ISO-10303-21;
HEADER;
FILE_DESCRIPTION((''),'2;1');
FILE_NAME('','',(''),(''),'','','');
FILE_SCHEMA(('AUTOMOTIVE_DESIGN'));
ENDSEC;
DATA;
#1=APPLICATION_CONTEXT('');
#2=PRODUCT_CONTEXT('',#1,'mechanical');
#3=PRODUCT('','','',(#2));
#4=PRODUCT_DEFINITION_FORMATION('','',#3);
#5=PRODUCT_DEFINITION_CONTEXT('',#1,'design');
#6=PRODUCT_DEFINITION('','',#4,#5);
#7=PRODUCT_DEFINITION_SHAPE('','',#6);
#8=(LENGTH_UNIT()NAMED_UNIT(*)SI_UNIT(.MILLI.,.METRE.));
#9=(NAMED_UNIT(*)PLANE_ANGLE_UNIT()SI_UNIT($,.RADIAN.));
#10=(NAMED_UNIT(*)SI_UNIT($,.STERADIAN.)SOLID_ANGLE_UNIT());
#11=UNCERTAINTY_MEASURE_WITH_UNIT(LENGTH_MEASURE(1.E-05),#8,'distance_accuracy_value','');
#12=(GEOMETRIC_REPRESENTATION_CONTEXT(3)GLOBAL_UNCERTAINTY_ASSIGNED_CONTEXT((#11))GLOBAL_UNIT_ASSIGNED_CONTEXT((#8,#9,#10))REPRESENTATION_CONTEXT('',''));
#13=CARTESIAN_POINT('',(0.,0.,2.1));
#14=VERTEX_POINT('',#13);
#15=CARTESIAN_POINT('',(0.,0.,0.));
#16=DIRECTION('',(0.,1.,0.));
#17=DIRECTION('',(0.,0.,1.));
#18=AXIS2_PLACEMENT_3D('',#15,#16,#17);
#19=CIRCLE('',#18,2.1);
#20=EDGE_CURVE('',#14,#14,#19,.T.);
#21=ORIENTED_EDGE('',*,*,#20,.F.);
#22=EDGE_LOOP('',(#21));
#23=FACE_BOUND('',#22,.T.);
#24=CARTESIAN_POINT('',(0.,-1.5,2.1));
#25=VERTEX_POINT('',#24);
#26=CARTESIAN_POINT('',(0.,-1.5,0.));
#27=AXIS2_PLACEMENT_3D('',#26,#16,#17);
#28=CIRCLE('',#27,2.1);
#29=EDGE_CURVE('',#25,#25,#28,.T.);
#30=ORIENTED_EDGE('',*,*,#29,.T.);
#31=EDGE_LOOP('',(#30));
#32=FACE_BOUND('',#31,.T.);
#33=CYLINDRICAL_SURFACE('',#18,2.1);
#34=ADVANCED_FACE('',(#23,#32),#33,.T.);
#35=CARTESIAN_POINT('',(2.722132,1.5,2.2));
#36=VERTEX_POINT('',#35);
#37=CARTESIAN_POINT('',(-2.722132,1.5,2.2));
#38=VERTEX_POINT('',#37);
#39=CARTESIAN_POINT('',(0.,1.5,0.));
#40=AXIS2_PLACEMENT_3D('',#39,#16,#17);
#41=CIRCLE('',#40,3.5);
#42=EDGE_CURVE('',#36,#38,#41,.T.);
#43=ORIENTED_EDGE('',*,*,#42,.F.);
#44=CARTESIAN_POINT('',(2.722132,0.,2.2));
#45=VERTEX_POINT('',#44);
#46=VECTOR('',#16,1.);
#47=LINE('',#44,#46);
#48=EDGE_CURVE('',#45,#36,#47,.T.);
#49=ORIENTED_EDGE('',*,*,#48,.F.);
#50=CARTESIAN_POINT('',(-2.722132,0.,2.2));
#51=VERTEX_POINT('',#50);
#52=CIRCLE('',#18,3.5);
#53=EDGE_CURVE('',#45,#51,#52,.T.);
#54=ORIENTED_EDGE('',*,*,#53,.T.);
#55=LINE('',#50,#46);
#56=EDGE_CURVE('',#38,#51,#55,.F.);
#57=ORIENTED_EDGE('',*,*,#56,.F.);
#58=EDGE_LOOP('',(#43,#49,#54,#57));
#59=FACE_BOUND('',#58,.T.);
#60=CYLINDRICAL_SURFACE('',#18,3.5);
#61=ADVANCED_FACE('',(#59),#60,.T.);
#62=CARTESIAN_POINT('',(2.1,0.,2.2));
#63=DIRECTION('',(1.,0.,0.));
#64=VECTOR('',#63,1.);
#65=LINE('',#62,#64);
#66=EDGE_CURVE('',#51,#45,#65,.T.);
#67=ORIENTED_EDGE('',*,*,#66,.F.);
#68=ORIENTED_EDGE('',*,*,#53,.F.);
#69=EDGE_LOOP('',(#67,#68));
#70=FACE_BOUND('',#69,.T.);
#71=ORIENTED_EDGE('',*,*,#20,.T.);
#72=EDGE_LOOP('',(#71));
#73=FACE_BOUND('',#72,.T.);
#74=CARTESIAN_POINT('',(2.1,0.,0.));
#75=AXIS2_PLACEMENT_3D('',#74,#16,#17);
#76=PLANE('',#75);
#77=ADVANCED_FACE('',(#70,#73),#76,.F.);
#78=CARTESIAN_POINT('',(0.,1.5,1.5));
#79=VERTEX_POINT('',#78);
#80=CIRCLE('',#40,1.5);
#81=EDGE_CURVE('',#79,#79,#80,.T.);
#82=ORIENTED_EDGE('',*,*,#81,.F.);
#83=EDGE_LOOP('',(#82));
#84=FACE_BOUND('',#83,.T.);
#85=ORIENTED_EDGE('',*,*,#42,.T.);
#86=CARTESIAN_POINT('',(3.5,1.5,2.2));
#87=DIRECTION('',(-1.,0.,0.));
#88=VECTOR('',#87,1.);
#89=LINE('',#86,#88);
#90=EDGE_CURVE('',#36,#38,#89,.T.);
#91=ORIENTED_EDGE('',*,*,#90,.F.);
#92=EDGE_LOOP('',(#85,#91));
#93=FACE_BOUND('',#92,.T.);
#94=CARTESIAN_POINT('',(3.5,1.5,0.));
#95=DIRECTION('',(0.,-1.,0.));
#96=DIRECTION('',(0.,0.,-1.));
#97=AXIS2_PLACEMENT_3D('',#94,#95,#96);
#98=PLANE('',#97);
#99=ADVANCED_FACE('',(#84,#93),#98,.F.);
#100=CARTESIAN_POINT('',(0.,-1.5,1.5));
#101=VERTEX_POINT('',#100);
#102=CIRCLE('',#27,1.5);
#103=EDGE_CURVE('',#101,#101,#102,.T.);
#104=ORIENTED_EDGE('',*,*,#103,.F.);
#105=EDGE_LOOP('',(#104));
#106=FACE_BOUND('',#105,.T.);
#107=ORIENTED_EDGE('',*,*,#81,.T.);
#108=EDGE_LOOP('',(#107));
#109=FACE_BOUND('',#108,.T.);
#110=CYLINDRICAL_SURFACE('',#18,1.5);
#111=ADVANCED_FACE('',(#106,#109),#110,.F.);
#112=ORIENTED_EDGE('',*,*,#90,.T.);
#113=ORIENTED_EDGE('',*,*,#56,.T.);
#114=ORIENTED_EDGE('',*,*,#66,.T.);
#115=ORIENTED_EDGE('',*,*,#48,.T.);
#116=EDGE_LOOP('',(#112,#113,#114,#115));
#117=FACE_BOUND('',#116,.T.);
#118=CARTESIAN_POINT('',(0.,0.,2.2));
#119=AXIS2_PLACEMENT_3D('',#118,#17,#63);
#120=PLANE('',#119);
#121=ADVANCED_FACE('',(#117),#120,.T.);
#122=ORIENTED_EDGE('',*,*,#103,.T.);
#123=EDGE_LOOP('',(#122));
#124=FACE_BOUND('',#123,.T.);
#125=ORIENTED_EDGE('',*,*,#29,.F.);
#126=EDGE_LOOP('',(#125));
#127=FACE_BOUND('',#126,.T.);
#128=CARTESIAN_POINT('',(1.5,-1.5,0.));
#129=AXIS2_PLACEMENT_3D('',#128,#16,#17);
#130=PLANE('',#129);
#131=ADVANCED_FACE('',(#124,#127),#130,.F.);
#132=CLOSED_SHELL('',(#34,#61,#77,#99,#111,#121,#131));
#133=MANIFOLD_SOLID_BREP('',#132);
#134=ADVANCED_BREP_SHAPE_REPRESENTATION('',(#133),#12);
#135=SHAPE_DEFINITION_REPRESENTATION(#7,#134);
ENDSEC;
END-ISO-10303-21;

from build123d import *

# Parameters (mm, degrees)
ENL_V_START             = 2.2
ESQUISSE2_W             = 8.060370584
ESQUISSE2_H             = 3.607489546
ENL_V_MAT_EXTRU_1_DEPTH = 10


with BuildPart() as part:
    # Esquisse1 → Révolution1 (revolve)
    with BuildSketch(Plane.XY, mode=Mode.PRIVATE) as r_volution1_sk:
        Polygon((2.1, 0), (3.5, 0), (3.5, 1.5), (1.5, 1.5), (1.5, -1.5), (2.1, -1.5), align=None)
    revolve(r_volution1_sk.sketch.rotate(Axis((0, 0, 0), (0, -1, 0)), 90), axis=Axis((0, 0, 0), (0, -1, 0)))  # turned: the seam where the file's is

    # Esquisse2 → Enlèv. mat.-Extru.1 (cut)
    with BuildSketch(Plane.XY.offset(ENL_V_START)):
        Rectangle(ESQUISSE2_W, ESQUISSE2_H)
    extrude(amount=ENL_V_MAT_EXTRU_1_DEPTH, mode=Mode.SUBTRACT)


solid = part.part
